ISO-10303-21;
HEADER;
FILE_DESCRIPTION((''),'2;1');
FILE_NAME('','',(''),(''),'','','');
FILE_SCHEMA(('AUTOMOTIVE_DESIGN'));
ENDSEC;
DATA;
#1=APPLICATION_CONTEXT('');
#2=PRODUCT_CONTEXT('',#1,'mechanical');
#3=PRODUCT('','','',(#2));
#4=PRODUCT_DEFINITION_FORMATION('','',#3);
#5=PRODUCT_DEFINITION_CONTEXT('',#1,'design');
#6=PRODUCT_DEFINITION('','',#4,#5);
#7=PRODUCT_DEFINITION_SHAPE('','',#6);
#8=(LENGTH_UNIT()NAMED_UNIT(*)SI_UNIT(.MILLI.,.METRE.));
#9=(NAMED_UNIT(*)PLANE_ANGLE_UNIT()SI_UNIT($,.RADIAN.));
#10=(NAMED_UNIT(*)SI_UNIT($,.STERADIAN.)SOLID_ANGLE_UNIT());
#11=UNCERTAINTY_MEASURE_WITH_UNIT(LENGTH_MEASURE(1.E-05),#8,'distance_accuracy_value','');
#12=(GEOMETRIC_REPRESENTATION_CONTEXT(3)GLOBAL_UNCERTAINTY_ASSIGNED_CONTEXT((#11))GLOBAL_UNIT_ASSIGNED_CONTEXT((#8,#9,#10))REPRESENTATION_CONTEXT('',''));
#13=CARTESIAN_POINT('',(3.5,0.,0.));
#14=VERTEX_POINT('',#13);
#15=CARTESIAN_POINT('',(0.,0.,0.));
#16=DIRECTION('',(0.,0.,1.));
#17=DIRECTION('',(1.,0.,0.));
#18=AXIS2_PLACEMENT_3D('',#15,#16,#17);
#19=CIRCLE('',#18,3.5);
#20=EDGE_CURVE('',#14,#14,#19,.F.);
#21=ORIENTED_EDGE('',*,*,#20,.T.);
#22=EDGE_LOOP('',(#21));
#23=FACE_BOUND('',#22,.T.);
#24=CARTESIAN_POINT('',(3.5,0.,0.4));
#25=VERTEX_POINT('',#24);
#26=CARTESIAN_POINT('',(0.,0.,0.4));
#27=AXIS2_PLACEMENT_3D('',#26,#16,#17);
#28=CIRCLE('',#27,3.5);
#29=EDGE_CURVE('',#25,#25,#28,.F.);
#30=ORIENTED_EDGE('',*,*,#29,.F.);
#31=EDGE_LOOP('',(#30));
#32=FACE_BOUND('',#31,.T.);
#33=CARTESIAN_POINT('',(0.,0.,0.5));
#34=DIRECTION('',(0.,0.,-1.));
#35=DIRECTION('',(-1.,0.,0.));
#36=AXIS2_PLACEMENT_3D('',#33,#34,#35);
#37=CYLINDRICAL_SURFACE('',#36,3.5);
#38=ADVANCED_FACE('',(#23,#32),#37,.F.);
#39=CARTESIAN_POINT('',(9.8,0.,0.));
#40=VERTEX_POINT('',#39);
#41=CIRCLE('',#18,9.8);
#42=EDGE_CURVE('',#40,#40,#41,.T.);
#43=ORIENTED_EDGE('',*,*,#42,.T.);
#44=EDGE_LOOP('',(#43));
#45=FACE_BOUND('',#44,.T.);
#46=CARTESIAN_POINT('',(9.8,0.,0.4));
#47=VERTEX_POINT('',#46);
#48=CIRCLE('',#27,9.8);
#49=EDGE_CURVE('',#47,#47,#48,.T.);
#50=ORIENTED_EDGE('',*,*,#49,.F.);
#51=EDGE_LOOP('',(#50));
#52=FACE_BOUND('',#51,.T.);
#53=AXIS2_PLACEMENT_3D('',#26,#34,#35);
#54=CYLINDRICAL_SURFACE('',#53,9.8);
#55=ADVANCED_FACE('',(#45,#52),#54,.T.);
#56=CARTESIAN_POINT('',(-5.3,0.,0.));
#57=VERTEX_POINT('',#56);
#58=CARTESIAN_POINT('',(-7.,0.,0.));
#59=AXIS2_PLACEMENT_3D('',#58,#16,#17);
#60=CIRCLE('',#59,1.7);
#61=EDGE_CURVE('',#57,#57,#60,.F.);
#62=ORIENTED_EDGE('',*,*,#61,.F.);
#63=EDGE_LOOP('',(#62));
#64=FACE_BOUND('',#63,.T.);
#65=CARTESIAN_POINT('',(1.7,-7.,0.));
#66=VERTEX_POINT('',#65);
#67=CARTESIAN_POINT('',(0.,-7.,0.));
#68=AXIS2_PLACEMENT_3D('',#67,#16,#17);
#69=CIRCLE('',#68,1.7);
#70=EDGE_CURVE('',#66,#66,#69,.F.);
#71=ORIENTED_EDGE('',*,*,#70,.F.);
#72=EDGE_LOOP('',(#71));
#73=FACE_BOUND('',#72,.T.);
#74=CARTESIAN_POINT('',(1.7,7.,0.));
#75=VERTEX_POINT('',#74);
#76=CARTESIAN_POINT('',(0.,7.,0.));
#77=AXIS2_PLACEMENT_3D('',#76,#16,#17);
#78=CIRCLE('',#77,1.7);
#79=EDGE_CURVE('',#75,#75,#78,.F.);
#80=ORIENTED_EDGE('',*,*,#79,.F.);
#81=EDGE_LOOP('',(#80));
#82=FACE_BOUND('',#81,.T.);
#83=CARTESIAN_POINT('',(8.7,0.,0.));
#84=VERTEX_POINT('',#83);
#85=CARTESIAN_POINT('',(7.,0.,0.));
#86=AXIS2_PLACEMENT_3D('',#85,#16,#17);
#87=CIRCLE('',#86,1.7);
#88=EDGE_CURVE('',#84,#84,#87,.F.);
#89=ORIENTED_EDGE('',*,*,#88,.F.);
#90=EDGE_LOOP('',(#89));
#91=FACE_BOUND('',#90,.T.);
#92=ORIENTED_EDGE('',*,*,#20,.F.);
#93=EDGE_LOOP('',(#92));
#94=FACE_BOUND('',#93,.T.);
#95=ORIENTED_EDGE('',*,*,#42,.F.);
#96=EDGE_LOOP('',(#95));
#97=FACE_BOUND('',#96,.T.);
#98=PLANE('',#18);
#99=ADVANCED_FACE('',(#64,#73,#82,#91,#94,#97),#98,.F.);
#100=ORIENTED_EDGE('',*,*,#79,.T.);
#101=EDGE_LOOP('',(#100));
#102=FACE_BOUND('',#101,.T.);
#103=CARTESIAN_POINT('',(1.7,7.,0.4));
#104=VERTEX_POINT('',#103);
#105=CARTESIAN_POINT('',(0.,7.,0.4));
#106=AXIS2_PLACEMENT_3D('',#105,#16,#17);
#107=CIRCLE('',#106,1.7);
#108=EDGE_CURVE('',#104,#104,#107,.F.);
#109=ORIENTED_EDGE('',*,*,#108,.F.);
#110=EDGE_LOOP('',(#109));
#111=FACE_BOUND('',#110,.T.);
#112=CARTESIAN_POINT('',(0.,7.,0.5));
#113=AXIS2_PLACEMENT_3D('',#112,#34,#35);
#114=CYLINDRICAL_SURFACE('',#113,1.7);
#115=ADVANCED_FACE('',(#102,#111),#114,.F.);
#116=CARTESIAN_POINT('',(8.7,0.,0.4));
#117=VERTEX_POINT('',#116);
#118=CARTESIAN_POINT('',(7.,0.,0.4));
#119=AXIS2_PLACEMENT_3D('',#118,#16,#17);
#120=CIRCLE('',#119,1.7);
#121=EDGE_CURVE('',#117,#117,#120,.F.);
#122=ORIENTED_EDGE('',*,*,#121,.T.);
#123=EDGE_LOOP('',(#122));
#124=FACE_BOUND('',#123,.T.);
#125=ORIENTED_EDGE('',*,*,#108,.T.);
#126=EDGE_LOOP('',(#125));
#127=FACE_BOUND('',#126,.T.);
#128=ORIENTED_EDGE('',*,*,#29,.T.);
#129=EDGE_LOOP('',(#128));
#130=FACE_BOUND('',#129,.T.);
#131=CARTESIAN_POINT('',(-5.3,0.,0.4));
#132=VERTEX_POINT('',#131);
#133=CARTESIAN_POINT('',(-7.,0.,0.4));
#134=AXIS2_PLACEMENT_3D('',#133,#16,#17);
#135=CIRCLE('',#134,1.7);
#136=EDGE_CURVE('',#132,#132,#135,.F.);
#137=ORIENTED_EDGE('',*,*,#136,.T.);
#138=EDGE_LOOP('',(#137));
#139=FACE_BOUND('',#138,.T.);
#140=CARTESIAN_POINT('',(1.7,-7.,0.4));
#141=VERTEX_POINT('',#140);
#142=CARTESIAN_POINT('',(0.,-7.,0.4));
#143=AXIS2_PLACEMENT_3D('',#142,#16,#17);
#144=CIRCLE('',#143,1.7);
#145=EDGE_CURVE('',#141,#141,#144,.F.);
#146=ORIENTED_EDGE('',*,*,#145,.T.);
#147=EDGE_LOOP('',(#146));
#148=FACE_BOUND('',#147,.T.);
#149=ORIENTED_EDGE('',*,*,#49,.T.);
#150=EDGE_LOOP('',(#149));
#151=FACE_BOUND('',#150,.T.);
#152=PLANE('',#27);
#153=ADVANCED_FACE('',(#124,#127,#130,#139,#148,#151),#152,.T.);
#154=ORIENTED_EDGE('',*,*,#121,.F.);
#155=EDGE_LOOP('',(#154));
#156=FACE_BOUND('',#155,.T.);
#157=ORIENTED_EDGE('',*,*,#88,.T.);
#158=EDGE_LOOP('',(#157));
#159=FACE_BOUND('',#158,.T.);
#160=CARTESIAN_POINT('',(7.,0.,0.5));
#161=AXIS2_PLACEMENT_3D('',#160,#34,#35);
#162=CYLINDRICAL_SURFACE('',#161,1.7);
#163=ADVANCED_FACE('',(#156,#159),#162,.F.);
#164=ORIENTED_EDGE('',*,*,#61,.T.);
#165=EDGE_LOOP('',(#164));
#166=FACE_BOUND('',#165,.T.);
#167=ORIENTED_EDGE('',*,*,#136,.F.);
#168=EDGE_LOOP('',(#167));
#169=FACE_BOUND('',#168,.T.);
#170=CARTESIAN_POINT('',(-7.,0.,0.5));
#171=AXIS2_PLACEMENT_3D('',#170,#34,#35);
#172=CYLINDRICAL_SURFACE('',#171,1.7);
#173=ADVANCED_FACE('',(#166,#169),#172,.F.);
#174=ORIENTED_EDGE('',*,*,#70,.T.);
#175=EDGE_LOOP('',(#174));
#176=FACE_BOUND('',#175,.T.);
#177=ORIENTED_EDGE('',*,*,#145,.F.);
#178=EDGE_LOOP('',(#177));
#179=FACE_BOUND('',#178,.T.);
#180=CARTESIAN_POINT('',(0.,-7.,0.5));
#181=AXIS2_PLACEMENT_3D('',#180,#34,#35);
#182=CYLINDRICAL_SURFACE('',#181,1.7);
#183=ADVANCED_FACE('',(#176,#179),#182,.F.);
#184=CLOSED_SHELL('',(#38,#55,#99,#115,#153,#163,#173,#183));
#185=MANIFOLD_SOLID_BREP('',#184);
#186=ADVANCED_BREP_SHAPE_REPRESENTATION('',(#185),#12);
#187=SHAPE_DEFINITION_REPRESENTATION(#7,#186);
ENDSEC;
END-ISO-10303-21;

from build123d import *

# Parameters (mm, degrees)
S_CYL1_R     = 9.8
BOSS_1_DEPTH = 0.4
S_HOLE2_R    = 3.5
HOLE_2_DEPTH = 0.6
S_HOLE3_R    = 1.7
HOLE_3_DEPTH = 0.6
S_HOLE4_R    = 1.7
HOLE_4_DEPTH = 0.6
S_HOLE5_R    = 1.7
HOLE_5_DEPTH = 0.6
S_HOLE6_R    = 1.7
HOLE_6_DEPTH = 0.6


with BuildPart() as part:
    # S_cyl1 → Boss_1 (new body)
    with BuildSketch(Plane.XY):
        Circle(S_CYL1_R)
    extrude(amount=BOSS_1_DEPTH)

    # S_hole2 → Hole_2 (cut)
    with BuildSketch(Plane.XY.offset(-0.1)):
        Circle(S_HOLE2_R)
    extrude(amount=HOLE_2_DEPTH, mode=Mode.SUBTRACT)

    # S_hole3 → Hole_3 (cut)
    with BuildSketch(Plane.XY.offset(-0.1)):
        with Locations((7, 0)):
            Circle(S_HOLE3_R)
    extrude(amount=HOLE_3_DEPTH, mode=Mode.SUBTRACT)

    # S_hole4 → Hole_4 (cut)
    with BuildSketch(Plane.XY.offset(-0.1)):
        with Locations((0, 7)):
            Circle(S_HOLE4_R)
    extrude(amount=HOLE_4_DEPTH, mode=Mode.SUBTRACT)

    # S_hole5 → Hole_5 (cut)
    with BuildSketch(Plane.XY.offset(-0.1)):
        with Locations((-7, 0)):
            Circle(S_HOLE5_R)
    extrude(amount=HOLE_5_DEPTH, mode=Mode.SUBTRACT)

    # S_hole6 → Hole_6 (cut)
    with BuildSketch(Plane.XY.offset(-0.1)):
        with Locations((0, -7)):
            Circle(S_HOLE6_R)
    extrude(amount=HOLE_6_DEPTH, mode=Mode.SUBTRACT)


solid = part.part
